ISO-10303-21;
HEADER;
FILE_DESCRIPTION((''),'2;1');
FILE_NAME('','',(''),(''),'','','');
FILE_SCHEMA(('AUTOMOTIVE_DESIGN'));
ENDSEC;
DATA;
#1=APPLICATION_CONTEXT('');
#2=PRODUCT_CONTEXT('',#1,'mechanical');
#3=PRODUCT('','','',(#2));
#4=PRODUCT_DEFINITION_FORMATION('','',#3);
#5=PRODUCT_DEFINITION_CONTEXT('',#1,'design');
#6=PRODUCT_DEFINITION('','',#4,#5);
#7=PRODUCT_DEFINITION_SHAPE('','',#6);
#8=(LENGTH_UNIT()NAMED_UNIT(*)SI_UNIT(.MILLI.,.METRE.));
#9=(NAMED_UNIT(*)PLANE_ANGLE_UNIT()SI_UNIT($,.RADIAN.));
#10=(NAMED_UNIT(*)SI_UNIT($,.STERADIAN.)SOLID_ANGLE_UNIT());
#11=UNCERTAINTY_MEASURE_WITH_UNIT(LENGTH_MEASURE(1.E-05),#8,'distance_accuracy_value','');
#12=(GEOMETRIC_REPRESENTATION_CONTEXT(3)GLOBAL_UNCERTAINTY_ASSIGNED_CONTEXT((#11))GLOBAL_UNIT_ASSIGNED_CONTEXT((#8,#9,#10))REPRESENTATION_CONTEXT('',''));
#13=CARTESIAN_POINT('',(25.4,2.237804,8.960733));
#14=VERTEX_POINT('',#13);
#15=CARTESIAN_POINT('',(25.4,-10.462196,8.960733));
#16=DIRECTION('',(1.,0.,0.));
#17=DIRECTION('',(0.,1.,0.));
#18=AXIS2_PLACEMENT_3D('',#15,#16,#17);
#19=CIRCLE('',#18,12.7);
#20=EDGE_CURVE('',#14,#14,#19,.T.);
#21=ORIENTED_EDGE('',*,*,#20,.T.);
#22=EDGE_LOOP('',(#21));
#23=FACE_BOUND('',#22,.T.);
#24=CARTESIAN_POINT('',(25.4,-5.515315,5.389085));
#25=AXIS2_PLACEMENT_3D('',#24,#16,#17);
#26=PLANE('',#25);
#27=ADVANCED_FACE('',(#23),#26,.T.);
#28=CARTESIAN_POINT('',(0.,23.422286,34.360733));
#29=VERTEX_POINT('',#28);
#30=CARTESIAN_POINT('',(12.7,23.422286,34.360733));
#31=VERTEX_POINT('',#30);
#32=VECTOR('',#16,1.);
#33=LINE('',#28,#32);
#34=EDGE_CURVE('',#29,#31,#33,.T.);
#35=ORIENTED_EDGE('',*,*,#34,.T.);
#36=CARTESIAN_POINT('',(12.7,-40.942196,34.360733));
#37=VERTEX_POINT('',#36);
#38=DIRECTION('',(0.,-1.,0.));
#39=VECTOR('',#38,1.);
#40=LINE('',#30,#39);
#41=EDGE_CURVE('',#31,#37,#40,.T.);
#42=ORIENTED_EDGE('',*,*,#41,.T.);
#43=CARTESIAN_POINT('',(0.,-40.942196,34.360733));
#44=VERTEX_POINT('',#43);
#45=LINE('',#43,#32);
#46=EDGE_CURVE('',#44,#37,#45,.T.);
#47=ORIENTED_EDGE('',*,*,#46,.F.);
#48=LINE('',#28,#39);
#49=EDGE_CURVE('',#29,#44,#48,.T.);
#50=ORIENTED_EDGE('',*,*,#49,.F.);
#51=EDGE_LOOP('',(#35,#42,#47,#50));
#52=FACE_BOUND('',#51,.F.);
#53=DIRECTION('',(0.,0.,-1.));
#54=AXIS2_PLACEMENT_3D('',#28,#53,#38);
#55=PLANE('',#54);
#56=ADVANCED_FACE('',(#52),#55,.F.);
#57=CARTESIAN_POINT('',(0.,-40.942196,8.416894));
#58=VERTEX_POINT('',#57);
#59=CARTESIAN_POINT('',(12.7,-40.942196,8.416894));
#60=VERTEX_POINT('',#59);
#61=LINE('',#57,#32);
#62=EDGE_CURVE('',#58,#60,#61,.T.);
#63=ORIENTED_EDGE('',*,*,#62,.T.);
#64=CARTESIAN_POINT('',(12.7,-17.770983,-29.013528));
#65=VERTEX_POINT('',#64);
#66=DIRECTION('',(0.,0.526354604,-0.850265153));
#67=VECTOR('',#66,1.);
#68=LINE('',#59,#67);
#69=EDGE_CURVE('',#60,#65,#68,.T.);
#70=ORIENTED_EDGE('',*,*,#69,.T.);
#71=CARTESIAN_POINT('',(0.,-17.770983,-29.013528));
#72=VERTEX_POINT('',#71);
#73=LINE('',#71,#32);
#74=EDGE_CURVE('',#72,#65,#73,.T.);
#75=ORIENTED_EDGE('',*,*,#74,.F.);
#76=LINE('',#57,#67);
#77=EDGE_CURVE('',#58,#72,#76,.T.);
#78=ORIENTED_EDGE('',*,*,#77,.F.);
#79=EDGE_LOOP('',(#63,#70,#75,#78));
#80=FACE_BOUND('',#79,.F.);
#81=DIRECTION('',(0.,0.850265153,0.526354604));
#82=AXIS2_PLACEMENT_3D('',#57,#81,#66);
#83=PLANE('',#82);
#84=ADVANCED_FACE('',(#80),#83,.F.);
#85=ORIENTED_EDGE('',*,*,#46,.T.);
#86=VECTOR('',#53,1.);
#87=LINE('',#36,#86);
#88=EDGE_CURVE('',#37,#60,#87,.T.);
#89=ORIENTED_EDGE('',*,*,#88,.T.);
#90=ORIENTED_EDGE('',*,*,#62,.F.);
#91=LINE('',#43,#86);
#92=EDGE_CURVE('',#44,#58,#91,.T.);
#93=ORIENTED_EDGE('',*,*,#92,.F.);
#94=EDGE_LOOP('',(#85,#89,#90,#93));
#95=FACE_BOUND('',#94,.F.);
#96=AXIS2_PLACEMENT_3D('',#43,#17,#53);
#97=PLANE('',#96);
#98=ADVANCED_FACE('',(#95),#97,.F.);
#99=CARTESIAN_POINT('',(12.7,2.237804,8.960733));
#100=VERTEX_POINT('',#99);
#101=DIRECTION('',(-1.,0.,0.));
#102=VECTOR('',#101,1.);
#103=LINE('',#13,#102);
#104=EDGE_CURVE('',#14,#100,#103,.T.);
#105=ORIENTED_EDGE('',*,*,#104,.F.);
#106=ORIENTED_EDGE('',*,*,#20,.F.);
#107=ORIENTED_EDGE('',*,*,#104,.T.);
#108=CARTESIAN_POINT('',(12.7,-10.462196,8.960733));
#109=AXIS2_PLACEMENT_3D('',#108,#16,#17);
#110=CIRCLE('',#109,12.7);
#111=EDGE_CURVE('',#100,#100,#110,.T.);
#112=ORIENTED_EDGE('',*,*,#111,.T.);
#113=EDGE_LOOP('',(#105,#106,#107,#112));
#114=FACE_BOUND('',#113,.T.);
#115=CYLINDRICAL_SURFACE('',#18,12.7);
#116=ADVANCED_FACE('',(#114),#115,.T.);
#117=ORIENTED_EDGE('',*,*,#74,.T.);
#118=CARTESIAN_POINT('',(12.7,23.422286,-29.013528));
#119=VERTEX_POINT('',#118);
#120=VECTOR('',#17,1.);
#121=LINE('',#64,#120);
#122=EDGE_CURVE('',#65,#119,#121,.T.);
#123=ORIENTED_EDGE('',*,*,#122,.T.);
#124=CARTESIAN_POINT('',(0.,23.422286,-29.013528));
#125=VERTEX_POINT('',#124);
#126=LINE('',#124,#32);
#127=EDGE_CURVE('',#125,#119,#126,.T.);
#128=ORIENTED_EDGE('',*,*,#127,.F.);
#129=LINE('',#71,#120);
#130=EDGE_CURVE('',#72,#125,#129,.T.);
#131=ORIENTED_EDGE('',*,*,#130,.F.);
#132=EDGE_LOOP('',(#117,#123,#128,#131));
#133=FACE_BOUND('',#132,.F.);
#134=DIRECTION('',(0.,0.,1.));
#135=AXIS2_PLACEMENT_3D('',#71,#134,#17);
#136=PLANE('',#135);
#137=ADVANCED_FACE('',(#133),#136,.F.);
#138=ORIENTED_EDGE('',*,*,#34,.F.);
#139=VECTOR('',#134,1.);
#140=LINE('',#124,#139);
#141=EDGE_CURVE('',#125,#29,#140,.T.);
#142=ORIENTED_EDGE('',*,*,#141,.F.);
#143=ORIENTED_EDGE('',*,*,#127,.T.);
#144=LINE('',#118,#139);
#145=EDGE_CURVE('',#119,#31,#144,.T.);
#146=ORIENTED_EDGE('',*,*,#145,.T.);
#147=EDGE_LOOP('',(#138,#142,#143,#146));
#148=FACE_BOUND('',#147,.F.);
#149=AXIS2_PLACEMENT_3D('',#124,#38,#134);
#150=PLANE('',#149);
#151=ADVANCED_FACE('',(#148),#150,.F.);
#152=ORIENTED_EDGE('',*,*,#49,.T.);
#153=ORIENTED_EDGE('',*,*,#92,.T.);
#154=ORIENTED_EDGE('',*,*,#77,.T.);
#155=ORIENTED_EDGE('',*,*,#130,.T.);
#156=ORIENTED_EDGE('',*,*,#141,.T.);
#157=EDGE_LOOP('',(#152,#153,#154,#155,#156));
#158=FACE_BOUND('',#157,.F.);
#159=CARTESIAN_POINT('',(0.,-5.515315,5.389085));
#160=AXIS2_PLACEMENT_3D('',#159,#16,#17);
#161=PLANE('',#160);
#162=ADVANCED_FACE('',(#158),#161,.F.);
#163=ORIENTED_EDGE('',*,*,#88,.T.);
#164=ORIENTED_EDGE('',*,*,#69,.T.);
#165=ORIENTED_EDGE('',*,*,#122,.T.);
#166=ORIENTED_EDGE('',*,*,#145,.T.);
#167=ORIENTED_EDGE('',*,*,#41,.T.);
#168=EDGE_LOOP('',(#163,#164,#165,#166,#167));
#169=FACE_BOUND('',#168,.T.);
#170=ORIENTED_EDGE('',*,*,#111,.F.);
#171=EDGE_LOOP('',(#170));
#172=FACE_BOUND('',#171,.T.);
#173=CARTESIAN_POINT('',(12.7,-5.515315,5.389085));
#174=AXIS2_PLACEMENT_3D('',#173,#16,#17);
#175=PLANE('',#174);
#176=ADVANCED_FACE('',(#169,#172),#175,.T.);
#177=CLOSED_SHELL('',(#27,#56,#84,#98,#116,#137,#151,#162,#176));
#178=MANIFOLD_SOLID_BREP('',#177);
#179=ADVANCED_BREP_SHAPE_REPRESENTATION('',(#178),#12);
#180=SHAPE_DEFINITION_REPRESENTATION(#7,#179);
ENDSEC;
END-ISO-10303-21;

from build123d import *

# Parameters (mm, degrees)
F1_DEPTH = 25.4
F2_R     = 12.7
F3_DEPTH = 12.7


with BuildPart() as f1:
    # F0 (on Right) → F1 (new body)
    with BuildSketch(Plane.YZ):
        Polygon((-40.942196, 34.360733), (-40.942196, 8.416894), (-17.770983, -29.013528), (23.422286, -29.013528), (23.422286, 34.360733), align=None)
    extrude(amount=F1_DEPTH)

    # F2 (on face) → F3 (cut)
    with BuildSketch(Plane.YZ.offset(25.4)):
        Polygon((23.422286, 34.360733), (-40.942196, 34.360733), (-40.942196, 8.416894), (-17.770983, -29.013528), (23.422286, -29.013528), align=None)
        with Locations((-10.462196, 8.960733)):
            Circle(F2_R, mode=Mode.SUBTRACT)
    extrude(amount=-F3_DEPTH, mode=Mode.SUBTRACT)


solid = f1.part
